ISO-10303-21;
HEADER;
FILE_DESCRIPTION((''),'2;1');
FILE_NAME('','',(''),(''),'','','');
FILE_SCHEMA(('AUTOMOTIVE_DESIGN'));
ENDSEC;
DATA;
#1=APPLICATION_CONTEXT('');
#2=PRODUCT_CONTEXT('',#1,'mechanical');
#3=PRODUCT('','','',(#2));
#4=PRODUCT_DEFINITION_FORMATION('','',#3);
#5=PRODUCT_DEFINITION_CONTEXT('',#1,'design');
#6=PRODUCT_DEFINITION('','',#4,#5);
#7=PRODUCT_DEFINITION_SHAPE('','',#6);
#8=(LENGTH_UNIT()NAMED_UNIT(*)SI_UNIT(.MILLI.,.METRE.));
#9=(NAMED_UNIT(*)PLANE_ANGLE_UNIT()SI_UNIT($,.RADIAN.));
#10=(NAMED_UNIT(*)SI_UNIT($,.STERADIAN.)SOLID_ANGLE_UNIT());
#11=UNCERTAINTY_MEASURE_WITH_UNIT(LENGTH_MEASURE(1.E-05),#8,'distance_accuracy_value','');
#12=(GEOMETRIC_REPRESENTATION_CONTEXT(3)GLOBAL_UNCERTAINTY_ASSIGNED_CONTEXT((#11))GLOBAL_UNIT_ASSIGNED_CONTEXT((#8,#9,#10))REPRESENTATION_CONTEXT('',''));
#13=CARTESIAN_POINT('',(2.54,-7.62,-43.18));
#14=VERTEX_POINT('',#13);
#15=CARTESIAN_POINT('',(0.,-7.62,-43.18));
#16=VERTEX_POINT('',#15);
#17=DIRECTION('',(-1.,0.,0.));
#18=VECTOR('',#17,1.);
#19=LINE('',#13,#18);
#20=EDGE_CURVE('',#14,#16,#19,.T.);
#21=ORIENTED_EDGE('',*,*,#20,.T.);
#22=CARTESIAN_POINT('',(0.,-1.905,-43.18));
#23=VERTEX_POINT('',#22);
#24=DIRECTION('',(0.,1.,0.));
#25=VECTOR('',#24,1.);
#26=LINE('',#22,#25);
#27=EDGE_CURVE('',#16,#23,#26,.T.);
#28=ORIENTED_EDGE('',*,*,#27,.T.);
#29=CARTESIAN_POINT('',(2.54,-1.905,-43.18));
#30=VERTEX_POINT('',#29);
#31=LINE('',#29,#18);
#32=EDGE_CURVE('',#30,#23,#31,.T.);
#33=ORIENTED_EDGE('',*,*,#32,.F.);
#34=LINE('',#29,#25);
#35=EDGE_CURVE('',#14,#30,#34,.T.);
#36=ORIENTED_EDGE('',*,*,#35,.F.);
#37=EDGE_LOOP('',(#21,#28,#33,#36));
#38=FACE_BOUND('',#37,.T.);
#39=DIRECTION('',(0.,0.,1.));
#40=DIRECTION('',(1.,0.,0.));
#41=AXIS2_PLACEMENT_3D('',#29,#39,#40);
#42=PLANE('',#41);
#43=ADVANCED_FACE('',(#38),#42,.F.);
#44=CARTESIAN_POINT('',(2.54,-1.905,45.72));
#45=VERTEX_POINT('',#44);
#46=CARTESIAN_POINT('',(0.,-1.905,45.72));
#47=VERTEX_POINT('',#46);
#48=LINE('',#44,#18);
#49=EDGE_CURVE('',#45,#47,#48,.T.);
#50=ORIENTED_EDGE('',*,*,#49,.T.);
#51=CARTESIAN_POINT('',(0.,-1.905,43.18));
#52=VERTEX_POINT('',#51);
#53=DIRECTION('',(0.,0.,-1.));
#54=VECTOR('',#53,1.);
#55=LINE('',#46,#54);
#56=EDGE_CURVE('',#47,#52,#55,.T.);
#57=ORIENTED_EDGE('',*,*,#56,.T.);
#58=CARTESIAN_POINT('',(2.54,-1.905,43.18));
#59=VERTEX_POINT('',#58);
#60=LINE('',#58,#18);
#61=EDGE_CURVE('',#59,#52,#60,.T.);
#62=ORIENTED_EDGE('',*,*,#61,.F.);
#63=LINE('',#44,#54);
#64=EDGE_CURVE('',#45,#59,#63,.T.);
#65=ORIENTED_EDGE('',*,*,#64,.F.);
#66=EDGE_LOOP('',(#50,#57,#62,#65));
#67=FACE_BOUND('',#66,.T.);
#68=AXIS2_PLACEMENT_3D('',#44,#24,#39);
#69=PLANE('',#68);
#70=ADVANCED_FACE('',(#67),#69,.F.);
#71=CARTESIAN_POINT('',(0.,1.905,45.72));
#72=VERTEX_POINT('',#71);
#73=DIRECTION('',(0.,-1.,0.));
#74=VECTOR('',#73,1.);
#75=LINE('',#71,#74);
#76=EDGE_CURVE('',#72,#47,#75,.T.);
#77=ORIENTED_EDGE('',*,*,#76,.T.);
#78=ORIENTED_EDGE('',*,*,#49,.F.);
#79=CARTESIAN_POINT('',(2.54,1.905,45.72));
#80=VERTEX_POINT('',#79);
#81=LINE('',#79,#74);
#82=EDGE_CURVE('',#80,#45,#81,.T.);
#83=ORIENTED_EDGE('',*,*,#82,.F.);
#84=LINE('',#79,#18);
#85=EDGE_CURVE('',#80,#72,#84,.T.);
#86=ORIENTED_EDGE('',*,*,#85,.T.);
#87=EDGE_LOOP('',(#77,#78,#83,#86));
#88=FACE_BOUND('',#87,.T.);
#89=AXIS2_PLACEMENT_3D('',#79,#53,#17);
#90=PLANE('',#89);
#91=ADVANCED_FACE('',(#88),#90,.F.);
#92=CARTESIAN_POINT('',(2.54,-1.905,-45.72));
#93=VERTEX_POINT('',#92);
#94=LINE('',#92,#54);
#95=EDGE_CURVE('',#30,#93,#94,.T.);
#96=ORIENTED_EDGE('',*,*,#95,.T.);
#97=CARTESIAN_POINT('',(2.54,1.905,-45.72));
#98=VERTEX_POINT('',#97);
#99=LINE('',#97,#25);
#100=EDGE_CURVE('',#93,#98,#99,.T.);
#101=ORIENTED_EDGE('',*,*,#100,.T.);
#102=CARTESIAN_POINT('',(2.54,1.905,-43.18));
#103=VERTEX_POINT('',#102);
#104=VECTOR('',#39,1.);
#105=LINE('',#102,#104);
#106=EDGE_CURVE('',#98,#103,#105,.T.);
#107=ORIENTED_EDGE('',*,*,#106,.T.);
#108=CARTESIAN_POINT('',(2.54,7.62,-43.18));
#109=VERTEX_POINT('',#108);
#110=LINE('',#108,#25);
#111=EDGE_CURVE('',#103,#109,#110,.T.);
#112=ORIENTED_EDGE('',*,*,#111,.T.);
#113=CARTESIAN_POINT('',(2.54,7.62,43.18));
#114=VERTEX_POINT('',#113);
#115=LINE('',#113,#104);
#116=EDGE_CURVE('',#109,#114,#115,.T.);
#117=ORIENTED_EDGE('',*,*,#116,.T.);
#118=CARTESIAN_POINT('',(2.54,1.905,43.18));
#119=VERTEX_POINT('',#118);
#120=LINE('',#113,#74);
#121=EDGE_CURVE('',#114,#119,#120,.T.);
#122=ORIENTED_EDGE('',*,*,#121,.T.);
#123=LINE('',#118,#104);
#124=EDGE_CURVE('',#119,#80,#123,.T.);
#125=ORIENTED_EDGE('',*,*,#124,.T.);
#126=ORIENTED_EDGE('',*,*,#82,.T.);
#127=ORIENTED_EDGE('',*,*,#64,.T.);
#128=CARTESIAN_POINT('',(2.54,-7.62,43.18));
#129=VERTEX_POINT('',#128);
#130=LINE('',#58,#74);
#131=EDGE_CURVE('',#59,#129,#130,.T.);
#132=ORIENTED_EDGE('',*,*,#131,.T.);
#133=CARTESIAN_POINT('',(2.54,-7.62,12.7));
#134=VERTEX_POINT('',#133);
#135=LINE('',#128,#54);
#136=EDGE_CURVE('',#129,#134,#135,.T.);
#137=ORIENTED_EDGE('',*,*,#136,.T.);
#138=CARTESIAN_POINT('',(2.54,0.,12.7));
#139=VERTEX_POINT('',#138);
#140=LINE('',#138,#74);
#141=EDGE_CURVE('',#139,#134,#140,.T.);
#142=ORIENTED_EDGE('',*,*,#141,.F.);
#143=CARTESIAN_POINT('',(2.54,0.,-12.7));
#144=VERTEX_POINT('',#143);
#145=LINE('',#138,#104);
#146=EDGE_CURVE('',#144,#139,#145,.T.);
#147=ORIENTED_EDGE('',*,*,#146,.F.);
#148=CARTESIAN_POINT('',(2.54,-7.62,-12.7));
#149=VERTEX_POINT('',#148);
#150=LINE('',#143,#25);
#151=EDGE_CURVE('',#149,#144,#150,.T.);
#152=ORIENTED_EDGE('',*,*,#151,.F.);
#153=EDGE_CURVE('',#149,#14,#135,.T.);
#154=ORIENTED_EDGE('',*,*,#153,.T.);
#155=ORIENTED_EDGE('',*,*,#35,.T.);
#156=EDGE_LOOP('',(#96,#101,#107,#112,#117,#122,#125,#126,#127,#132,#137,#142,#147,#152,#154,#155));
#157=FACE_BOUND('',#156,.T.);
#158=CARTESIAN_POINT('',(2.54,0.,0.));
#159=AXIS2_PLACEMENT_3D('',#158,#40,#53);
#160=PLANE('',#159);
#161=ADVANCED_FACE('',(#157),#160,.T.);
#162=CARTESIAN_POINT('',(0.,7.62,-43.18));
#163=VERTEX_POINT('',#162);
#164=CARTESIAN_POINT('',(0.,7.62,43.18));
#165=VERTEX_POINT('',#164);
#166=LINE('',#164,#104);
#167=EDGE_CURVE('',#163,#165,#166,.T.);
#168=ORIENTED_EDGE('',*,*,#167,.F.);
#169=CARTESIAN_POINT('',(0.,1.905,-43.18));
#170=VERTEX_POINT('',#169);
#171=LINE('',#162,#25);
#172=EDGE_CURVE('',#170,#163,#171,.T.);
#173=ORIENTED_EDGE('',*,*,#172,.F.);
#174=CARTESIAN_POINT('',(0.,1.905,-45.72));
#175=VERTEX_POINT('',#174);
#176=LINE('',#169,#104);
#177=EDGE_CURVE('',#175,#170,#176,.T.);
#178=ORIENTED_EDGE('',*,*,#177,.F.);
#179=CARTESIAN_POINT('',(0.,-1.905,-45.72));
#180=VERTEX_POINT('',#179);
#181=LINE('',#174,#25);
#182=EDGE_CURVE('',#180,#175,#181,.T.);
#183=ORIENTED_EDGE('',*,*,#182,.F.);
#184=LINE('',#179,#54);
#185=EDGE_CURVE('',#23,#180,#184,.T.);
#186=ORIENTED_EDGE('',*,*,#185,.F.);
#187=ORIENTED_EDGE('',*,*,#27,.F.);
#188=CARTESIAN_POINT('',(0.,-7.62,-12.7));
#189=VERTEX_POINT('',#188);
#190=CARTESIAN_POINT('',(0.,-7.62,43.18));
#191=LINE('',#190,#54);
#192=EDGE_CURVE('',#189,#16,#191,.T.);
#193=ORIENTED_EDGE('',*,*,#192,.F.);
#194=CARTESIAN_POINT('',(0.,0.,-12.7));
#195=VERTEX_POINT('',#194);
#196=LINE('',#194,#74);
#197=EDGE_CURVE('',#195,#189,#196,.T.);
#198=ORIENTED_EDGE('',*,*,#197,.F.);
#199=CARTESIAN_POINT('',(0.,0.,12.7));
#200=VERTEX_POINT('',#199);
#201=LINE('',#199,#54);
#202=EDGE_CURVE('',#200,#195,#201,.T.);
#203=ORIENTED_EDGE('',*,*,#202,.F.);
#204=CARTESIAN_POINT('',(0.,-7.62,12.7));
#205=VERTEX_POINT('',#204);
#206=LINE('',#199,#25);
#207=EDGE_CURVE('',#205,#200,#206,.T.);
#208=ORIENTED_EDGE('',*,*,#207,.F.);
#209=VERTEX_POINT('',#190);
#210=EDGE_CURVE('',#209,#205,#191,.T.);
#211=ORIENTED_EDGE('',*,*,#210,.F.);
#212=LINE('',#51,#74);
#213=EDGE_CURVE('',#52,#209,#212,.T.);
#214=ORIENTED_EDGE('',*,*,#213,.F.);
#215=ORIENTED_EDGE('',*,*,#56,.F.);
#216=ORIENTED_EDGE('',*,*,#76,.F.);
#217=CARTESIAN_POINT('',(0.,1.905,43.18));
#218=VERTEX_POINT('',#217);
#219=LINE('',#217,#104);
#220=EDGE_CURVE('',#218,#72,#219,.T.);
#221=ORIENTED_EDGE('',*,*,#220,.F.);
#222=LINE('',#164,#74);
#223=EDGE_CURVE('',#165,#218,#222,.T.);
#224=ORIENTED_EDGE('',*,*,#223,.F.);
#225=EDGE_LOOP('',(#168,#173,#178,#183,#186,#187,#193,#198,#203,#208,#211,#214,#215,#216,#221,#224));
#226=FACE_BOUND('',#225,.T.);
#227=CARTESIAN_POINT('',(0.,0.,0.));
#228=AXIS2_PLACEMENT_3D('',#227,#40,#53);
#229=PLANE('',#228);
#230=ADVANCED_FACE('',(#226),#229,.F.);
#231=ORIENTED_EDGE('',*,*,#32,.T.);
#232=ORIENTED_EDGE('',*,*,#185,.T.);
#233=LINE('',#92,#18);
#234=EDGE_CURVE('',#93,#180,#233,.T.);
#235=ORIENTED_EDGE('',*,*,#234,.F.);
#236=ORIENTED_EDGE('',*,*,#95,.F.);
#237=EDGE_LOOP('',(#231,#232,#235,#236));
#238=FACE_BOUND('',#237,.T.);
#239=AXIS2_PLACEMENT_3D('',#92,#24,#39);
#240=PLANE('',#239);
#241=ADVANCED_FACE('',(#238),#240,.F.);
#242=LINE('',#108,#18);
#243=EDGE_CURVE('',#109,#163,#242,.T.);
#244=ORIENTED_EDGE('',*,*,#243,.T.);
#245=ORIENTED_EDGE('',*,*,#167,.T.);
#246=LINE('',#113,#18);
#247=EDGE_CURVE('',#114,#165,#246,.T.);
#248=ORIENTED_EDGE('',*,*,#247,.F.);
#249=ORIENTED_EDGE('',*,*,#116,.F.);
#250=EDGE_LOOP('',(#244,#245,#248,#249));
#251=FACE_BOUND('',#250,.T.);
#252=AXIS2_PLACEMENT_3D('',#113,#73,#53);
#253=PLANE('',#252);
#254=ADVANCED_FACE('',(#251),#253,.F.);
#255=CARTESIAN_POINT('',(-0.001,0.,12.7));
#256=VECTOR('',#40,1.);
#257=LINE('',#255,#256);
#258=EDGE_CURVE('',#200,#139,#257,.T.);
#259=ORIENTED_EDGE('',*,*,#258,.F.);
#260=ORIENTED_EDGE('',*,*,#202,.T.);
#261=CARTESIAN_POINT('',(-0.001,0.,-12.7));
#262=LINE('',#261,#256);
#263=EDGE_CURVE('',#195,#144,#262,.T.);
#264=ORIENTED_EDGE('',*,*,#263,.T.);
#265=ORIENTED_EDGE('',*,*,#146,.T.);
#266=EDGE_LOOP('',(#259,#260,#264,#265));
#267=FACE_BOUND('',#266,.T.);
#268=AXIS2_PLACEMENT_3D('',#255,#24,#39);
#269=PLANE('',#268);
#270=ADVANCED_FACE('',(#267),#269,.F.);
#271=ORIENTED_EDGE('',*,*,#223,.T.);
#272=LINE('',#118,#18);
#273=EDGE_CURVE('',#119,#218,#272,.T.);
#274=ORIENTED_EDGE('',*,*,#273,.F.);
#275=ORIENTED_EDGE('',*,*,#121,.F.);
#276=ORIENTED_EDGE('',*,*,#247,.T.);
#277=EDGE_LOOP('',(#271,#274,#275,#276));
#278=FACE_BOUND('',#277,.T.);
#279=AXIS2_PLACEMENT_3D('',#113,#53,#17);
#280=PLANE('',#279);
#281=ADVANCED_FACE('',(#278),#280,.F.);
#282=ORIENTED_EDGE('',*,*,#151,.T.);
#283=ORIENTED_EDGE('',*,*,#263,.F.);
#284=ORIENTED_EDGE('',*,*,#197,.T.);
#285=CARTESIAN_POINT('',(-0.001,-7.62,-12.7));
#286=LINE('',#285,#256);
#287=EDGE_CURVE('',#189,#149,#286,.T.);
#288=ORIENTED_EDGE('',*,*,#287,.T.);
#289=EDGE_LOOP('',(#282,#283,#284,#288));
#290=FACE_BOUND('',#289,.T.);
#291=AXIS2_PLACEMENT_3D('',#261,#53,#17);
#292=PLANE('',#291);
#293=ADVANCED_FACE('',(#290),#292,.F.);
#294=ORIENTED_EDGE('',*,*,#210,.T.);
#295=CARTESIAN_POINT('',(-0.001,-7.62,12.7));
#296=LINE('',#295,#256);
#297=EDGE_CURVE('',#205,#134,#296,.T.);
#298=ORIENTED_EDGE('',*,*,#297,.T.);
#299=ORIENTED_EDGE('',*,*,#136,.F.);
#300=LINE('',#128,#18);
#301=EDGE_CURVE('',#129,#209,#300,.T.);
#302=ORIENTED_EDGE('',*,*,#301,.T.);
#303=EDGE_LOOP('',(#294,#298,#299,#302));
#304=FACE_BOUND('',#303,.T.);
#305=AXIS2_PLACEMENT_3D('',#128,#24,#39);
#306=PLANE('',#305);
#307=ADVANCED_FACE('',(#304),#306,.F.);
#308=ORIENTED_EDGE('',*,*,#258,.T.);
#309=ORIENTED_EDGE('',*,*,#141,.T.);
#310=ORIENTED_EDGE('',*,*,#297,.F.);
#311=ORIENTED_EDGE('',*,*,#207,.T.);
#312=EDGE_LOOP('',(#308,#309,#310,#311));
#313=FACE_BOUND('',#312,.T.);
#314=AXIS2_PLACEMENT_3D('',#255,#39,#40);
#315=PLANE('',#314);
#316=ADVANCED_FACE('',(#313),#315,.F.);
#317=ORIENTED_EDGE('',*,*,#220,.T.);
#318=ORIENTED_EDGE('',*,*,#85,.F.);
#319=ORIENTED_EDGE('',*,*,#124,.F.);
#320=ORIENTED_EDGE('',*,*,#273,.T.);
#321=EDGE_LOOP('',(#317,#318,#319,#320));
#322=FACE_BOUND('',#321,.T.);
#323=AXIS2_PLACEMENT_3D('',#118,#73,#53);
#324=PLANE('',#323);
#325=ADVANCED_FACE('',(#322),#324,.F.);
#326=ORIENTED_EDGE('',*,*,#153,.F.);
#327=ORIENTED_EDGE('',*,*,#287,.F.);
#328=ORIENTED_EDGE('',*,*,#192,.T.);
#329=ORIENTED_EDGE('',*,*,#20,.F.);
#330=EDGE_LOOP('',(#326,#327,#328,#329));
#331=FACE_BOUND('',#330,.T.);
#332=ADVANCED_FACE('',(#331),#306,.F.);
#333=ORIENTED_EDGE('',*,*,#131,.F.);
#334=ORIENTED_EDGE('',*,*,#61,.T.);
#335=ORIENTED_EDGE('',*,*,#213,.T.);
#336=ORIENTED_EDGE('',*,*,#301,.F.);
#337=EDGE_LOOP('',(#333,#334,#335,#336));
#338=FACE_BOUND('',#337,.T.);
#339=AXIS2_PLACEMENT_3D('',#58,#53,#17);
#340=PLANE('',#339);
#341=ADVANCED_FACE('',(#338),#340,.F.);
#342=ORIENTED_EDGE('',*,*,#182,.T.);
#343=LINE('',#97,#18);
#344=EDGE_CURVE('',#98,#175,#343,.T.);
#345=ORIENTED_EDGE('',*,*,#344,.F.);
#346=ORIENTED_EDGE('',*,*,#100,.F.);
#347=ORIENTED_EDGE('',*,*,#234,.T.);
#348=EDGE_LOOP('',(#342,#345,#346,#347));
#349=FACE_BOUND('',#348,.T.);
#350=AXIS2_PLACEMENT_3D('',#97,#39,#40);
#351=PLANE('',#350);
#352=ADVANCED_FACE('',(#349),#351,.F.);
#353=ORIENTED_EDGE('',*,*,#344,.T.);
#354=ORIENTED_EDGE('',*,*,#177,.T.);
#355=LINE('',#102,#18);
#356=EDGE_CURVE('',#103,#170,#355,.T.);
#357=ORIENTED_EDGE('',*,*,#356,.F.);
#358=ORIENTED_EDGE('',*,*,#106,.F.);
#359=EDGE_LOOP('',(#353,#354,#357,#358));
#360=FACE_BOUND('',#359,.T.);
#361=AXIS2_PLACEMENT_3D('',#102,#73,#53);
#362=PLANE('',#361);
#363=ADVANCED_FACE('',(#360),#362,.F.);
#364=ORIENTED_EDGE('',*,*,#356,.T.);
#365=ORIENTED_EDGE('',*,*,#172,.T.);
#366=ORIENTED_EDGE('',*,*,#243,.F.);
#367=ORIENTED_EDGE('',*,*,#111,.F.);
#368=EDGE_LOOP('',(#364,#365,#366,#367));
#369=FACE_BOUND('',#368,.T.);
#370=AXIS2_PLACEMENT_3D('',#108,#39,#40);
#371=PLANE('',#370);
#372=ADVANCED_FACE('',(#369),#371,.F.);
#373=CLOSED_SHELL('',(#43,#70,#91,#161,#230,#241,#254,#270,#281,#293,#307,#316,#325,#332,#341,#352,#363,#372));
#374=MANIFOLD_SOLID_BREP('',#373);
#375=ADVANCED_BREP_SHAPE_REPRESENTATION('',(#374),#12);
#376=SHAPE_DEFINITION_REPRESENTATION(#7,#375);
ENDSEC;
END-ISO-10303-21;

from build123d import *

# Parameters (mm, degrees)
BOSS_EXTRUDE1_DEPTH = 2.54
CUT_EXTRUDE1_REACH  = 4.54
SKETCH2_W           = 25.4
SKETCH2_H           = 7.62


with BuildPart() as part:
    # Sketch1 → Boss-Extrude1 (new body)
    with BuildSketch(Plane(origin=(0, 0, 0), x_dir=(0, 0, -1), z_dir=(1, 0, 0))):
        Polygon((-43.18, 7.62), (-43.18, 1.905), (-45.72, 1.905), (-45.72, -1.905), (-43.18, -1.905), (-43.18, -7.62), (43.18, -7.62), (43.18, -1.905), (45.72, -1.905), (45.72, 1.905), (43.18, 1.905), (43.18, 7.62), align=None)
    extrude(amount=BOSS_EXTRUDE1_DEPTH)

    # Sketch2 → Cut-Extrude1 (cut, up to next)
    with BuildSketch(Plane(origin=(2.54, 0, 0), x_dir=(0, 0, -1), z_dir=(1, 0, 0)), mode=Mode.PRIVATE) as cut_extrude1_sk1:
        with Locations((0, -3.81)):
            Rectangle(SKETCH2_W, SKETCH2_H)
    cut_extrude1_tool1 = extrude(cut_extrude1_sk1.sketch, amount=-CUT_EXTRUDE1_REACH, mode=Mode.PRIVATE) & part.part
    add(cut_extrude1_tool1.solids().sort_by_distance((2.54, -3.81, 0))[0], mode=Mode.SUBTRACT)


solid = part.part
